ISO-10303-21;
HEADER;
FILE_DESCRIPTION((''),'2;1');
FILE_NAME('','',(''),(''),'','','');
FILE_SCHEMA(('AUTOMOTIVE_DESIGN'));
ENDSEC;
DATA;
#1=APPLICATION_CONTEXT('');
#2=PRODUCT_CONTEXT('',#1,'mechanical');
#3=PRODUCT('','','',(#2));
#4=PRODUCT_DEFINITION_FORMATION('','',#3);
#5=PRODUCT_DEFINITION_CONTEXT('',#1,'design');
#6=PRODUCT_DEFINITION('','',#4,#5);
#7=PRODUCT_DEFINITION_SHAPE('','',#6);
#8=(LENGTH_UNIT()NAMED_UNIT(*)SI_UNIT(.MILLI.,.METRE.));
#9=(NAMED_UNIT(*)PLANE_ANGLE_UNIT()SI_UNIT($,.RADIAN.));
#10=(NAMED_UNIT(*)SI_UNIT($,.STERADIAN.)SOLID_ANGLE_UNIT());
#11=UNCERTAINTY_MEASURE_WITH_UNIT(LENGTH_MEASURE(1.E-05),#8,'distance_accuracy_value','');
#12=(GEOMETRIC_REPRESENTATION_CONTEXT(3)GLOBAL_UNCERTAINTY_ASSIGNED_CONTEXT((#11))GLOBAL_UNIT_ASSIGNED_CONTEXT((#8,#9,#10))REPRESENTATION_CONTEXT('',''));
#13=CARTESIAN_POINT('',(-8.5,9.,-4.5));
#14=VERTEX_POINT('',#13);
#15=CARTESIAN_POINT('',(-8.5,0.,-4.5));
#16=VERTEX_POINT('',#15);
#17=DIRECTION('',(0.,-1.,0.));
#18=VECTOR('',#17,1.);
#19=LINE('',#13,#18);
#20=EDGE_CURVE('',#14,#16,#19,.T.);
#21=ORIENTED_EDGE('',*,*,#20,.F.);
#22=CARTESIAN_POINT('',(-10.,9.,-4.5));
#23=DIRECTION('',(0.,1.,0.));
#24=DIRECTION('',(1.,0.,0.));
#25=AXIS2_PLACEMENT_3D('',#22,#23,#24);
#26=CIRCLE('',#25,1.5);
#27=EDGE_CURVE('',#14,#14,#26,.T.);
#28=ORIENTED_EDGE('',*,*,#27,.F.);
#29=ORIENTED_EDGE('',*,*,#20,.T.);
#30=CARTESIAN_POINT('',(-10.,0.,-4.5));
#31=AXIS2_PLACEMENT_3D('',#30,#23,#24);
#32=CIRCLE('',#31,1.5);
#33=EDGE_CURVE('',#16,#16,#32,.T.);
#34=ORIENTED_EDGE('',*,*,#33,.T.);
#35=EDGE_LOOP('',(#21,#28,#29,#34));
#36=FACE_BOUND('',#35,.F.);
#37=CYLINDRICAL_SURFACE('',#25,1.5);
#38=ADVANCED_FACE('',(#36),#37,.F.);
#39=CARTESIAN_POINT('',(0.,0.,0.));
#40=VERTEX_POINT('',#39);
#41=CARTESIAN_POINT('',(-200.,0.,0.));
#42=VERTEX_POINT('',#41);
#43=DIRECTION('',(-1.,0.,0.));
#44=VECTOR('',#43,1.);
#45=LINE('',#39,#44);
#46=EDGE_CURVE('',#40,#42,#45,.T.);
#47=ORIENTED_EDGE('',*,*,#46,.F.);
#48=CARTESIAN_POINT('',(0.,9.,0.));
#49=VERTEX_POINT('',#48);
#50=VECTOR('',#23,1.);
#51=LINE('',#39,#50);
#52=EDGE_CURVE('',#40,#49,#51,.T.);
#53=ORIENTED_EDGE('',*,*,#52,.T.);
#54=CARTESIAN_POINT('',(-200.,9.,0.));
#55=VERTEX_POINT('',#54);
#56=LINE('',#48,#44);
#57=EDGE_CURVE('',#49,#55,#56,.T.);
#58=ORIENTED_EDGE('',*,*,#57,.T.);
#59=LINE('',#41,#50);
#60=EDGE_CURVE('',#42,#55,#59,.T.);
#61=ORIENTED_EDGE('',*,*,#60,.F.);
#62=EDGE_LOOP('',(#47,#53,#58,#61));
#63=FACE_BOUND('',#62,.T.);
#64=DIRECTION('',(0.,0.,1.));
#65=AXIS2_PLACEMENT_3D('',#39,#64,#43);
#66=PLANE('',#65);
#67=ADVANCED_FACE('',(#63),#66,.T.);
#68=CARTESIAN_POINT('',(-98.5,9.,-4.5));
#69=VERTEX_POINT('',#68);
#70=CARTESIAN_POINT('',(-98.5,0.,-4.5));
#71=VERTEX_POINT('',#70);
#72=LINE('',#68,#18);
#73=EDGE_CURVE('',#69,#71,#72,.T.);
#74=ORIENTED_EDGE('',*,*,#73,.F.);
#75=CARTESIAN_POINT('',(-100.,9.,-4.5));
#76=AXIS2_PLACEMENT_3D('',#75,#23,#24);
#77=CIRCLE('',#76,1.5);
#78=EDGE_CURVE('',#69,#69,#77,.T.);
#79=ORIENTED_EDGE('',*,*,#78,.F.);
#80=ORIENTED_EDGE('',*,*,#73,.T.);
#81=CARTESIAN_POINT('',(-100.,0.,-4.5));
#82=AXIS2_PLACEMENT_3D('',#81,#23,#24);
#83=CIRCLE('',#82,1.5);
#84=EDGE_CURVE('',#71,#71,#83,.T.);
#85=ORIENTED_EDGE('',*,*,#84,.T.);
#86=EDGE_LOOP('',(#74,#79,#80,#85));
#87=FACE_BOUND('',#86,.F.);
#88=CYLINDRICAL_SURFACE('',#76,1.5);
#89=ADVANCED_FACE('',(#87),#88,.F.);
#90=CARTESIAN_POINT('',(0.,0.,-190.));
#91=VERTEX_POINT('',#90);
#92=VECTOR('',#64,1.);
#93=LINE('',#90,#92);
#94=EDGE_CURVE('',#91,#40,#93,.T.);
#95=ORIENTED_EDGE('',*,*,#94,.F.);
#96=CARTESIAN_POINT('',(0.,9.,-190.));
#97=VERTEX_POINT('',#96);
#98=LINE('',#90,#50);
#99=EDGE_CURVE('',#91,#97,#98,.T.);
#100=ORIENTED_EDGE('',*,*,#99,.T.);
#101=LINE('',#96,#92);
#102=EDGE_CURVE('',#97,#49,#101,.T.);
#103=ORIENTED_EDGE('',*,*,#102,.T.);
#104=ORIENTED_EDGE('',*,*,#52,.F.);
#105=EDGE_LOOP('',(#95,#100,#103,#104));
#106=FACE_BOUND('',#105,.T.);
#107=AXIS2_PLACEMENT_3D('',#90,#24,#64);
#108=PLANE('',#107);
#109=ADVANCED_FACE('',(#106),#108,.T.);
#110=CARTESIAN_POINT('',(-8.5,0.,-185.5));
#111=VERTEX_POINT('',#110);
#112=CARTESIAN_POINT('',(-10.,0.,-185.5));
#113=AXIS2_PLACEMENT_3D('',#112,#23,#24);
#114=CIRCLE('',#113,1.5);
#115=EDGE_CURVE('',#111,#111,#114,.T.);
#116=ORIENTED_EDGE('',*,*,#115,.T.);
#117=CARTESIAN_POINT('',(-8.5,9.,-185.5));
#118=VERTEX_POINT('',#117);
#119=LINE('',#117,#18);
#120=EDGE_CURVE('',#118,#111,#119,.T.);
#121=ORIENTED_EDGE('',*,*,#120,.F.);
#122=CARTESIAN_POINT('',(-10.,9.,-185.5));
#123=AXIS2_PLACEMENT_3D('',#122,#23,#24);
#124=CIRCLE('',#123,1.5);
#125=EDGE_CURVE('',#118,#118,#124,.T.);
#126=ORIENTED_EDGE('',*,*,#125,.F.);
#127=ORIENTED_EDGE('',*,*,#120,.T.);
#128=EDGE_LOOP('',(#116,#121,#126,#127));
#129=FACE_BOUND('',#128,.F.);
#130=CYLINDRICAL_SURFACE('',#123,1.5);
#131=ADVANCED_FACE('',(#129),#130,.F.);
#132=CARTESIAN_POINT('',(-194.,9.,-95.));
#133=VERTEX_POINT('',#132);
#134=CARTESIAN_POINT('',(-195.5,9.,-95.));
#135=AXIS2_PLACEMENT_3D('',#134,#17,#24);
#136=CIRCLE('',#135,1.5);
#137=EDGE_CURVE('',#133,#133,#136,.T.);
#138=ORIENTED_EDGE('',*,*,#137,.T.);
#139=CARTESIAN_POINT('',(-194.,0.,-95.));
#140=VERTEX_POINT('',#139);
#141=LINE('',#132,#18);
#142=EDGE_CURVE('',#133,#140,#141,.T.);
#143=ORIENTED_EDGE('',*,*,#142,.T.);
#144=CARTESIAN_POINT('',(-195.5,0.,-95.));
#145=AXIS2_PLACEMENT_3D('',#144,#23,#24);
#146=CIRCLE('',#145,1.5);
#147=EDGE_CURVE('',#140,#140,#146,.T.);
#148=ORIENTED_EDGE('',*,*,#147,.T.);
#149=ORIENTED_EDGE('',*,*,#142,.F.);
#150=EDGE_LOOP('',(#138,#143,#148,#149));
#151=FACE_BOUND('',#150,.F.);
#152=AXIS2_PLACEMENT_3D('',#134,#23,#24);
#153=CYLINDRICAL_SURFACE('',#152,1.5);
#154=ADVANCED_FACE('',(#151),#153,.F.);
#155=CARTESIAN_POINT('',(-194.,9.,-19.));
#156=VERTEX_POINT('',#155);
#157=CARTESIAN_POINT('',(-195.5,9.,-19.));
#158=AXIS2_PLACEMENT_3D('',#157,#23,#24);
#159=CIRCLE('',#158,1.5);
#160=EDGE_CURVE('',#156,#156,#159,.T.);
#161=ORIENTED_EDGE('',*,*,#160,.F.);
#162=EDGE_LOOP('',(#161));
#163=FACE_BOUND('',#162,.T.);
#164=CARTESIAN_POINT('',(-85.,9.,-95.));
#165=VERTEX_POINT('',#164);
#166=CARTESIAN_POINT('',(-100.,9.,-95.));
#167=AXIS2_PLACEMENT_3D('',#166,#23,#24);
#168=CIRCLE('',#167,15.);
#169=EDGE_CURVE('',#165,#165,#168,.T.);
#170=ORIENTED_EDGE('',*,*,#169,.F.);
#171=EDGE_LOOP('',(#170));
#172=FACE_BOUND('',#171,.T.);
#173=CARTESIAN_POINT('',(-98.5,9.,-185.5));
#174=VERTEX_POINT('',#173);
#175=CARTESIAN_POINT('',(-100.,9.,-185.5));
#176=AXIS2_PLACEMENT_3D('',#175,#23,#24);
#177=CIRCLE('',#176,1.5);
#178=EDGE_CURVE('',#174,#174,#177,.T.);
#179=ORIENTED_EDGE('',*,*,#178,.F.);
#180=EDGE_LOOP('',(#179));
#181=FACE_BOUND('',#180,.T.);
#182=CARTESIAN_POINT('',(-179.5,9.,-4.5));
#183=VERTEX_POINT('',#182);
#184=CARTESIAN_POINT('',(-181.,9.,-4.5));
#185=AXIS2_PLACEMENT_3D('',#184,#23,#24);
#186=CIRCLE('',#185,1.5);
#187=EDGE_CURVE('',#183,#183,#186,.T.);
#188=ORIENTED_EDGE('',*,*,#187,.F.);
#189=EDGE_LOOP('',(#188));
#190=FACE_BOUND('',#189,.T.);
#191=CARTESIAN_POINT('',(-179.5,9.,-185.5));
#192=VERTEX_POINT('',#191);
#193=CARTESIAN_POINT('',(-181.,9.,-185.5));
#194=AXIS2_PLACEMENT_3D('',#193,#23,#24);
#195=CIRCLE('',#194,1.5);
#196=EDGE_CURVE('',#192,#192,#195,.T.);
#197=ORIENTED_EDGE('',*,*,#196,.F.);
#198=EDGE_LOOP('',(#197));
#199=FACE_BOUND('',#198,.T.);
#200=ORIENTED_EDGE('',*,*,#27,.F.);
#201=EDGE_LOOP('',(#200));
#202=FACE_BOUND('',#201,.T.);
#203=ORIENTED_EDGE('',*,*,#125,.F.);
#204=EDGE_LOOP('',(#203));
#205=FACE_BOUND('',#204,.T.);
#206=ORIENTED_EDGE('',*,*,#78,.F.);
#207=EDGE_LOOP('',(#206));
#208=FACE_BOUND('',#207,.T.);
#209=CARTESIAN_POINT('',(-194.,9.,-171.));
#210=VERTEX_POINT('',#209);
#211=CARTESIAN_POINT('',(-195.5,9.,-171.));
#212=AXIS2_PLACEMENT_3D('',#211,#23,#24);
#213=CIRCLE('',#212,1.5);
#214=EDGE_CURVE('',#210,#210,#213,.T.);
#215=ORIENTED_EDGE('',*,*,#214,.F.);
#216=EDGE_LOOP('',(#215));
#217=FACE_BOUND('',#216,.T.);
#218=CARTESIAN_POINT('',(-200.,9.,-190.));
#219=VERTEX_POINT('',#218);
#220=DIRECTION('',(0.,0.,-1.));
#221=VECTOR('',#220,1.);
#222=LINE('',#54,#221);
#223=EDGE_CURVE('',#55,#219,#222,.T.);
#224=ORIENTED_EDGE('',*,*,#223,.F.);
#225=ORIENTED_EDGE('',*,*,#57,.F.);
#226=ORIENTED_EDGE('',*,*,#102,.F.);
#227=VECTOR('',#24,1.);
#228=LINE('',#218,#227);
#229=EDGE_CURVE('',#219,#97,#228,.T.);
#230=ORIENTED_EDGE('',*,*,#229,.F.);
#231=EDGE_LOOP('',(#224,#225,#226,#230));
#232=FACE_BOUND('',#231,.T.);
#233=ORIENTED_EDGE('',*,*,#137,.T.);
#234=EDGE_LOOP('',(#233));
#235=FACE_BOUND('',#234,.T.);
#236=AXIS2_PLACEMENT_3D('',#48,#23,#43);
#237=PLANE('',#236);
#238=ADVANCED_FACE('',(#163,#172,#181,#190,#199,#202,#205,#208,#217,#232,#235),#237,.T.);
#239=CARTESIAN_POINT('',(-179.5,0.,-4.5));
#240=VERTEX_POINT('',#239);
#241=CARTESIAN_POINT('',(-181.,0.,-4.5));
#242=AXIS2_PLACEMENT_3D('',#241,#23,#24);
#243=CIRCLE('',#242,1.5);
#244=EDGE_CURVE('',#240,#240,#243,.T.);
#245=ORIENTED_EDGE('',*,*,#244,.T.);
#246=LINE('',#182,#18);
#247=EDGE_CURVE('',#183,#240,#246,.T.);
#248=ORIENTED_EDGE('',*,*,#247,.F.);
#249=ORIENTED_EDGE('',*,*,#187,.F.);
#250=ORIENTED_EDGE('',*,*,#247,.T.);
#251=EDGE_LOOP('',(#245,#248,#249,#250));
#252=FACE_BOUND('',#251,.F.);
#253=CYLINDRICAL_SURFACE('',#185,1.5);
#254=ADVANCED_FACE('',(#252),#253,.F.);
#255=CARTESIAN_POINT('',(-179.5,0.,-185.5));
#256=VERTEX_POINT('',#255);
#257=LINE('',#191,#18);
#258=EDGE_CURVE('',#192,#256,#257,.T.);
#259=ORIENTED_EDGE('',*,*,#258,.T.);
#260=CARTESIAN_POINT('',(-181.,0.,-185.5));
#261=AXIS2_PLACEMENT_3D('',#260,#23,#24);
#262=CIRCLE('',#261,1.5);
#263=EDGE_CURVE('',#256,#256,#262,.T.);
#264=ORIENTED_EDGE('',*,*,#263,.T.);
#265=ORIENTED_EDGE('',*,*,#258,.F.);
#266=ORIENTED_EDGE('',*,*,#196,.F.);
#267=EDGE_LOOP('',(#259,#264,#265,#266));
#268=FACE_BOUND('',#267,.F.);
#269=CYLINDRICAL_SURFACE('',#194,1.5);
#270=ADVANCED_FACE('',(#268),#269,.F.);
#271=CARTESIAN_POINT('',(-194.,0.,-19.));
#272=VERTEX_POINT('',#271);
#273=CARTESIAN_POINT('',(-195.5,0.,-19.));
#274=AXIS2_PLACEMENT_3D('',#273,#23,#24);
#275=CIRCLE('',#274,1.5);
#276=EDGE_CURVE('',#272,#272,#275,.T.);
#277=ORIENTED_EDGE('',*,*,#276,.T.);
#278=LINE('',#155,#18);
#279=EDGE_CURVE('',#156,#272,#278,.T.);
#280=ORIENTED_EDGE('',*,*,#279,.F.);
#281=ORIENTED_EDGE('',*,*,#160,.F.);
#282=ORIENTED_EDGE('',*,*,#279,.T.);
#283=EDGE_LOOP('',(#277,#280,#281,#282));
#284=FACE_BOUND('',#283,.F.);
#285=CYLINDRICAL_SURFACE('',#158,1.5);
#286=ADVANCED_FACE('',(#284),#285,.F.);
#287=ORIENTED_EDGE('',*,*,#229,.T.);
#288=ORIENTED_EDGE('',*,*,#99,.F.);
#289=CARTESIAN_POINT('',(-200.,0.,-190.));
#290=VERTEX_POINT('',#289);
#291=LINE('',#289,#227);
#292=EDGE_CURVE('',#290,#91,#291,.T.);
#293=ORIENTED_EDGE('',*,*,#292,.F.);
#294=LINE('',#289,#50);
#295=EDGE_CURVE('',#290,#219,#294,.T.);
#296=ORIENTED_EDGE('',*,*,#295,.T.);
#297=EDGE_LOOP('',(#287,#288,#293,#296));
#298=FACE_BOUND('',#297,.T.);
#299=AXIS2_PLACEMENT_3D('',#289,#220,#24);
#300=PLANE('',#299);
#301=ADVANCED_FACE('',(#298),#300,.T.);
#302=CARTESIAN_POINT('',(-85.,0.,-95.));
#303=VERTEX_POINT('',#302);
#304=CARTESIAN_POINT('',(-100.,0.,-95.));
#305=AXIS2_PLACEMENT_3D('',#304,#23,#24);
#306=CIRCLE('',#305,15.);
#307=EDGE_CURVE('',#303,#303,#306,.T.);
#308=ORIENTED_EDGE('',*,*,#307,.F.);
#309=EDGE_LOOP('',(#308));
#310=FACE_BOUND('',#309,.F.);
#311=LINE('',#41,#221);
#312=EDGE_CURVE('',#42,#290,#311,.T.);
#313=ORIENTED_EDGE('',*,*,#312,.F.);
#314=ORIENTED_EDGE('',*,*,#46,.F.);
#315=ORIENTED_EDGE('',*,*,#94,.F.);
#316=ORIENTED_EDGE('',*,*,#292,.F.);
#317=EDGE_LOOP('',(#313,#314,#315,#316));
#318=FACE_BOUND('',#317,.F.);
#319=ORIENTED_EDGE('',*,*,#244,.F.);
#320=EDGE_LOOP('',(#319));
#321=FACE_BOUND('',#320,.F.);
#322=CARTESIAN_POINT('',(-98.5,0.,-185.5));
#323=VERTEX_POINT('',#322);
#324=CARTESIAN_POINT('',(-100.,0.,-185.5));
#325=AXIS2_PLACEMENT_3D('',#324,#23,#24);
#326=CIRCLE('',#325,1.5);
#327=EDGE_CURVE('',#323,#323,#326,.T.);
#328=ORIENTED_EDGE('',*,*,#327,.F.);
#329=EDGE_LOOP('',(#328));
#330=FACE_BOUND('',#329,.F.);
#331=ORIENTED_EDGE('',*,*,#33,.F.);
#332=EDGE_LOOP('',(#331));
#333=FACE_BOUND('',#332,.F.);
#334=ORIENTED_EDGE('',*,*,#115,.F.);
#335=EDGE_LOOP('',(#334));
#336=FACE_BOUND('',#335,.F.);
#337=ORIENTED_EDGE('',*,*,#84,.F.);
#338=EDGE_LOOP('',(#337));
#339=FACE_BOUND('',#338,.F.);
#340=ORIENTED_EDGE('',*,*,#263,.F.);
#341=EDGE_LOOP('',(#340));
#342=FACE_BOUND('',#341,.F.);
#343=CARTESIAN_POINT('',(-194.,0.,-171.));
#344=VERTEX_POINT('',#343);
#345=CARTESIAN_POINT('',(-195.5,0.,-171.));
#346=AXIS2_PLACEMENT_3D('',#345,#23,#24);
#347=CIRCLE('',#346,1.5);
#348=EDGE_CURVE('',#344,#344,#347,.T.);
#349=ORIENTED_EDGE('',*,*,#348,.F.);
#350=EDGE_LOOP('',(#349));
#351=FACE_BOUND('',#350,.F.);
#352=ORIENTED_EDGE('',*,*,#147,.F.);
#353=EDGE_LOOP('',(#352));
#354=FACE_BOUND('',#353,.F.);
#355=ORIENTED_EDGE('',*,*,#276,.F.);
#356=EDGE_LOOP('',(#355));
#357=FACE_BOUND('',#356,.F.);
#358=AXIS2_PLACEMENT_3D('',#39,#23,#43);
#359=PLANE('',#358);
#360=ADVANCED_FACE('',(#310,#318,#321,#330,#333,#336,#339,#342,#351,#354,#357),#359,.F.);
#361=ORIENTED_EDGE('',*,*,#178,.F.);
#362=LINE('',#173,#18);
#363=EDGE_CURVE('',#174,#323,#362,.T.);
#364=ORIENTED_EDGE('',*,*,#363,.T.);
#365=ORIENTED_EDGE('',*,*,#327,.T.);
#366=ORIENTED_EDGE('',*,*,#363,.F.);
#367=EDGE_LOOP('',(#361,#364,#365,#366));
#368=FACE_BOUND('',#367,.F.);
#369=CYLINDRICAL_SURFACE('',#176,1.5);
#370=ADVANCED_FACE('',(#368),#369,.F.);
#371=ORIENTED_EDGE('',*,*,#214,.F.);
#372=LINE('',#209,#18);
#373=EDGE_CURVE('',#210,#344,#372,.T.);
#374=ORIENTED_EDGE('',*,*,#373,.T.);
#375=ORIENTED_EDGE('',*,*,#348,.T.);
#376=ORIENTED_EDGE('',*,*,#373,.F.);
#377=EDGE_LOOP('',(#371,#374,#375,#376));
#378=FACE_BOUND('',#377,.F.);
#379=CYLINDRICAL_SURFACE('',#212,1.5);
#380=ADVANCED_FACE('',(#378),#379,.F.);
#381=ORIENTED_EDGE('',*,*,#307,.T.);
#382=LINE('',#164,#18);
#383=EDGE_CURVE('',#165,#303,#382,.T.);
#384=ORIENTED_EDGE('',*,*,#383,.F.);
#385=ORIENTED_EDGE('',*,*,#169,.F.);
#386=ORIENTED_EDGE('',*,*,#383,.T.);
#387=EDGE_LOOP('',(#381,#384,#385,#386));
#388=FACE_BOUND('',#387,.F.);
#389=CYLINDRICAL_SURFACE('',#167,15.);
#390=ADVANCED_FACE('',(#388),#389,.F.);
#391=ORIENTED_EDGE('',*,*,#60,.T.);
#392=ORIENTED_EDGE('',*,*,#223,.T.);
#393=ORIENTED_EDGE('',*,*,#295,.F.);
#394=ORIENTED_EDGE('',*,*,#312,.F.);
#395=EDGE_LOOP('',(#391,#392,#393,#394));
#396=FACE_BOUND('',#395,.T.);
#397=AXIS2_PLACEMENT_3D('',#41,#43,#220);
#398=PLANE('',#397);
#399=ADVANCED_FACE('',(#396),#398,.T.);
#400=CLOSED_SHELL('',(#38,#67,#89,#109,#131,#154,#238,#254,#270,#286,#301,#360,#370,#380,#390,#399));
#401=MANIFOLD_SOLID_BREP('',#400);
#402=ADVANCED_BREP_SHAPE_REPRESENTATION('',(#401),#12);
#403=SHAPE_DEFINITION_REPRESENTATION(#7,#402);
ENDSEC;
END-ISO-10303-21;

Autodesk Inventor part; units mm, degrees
ref_plane "YZ Plane" through (0, 0, 0) normal (1, 0, 0) x (0, 1, 0)
ref_plane "XZ Plane" through (0, 0, 0) normal (0, 1, 0) x (-1, 0, 0)
ref_plane "XY Plane" through (0, 0, 0) normal (0, 0, 1) x (1, 0, 0)
sketch "Sketch1" plane through (0, 0, 0) normal (0, 1, 0) x (-1, 0, 0)
  line L0 (0, 0) -> (200, 0)
  line L1 (200, 0) -> (200, -190)
  line L2 (200, -190) -> (0, -190)
  line L3 (0, -190) -> (0, 0)
  dimension "d0" = 200
  dimension "d1" = 190
extrude "Extrusion1" add sketch "Sketch1" along normal blind 9
sketch "Sketch10" plane through (0, 9, 0) normal (0, 1, 0) x (1, 0, 0)
  line L0 (0, 190) -> (-200, 190) projected
  line L1 (-200, 190) -> (-200, 0) projected
  line L2 (-200, 0) -> (0, 0) projected
  line L3 (0, 0) -> (0, 190) projected
  circle A0 centre (-100, 95) radius 15
  dimension "d27" = 30
extrude "Extrusion10" cut sketch "Sketch10" against normal blind 9 contours A0
sketch "Sketch14" plane through (0, 9, 0) normal (0, 1, 0) x (1, 0, 0)
  circle A0 centre (-100, 95) radius 15 projected
  line L0 (0, 190) -> (-200, 190) projected
  line L1 (-200, 190) -> (-200, 0) projected
  line L2 (-200, 0) -> (0, 0) projected
  line L3 (0, 0) -> (0, 190) projected
  line L4 (-200, 190) -> (-200, 0) projected
  line L5 (-200, 190) -> (0, 190)
  line L6 (0, 190) -> (0, 181)
  line L7 (0, 181) -> (-200, 181)
  line L8 (-200, 181) -> (-200, 190)
  line L9 (-200, 0) -> (0, 0) projected
  line L10 (-200, 181) -> (-191, 181)
  line L11 (-191, 181) -> (-191, 0)
  line L12 (-191, 0) -> (-200, 0)
  line L13 (-200, 0) -> (-200, 181)
  line L14 (0, 0) -> (0, 190) projected
  line L15 (-191, 0) -> (0, 0)
  line L16 (0, 0) -> (0, 9)
  line L17 (0, 9) -> (-191, 9)
  line L18 (-191, 9) -> (-191, 0)
  circle A1 centre (-10, 4.5) radius 1.5
  circle A2 centre (-100, 4.5) radius 1.5
  circle A3 centre (-181, 4.5) radius 1.5
  line L19 (-245.0017, 95) -> (56.9583, 95)
  circle A4 centre (-10, 185.5) radius 1.5
  circle A5 centre (-100, 185.5) radius 1.5
  circle A6 centre (-181, 185.5) radius 1.5
  circle A7 centre (-195.5, 95) radius 1.5
  circle A8 centre (-195.5, 171) radius 1.5
  circle A9 centre (-195.5, 19) radius 1.5
  dimension "d47" = 9
  dimension "d48" = 9
  dimension "d49" = 9
  dimension "d50" = 3
  dimension "d51" = 3
  dimension "d52" = 3
  dimension "d55" = 3
  dimension "d56" = 3
  dimension "d57" = 3
extrude "Extrusion14" cut sketch "Sketch14" against normal blind 10 contours A1 | A2 | A3 | A4 | A5 | A6
extrude "Extrusion15" cut sketch "Sketch14" against normal blind 10 contours A7 L19 | L19 A7 | A8 | A9
properties part number "BaseEncima_3DPrint"
